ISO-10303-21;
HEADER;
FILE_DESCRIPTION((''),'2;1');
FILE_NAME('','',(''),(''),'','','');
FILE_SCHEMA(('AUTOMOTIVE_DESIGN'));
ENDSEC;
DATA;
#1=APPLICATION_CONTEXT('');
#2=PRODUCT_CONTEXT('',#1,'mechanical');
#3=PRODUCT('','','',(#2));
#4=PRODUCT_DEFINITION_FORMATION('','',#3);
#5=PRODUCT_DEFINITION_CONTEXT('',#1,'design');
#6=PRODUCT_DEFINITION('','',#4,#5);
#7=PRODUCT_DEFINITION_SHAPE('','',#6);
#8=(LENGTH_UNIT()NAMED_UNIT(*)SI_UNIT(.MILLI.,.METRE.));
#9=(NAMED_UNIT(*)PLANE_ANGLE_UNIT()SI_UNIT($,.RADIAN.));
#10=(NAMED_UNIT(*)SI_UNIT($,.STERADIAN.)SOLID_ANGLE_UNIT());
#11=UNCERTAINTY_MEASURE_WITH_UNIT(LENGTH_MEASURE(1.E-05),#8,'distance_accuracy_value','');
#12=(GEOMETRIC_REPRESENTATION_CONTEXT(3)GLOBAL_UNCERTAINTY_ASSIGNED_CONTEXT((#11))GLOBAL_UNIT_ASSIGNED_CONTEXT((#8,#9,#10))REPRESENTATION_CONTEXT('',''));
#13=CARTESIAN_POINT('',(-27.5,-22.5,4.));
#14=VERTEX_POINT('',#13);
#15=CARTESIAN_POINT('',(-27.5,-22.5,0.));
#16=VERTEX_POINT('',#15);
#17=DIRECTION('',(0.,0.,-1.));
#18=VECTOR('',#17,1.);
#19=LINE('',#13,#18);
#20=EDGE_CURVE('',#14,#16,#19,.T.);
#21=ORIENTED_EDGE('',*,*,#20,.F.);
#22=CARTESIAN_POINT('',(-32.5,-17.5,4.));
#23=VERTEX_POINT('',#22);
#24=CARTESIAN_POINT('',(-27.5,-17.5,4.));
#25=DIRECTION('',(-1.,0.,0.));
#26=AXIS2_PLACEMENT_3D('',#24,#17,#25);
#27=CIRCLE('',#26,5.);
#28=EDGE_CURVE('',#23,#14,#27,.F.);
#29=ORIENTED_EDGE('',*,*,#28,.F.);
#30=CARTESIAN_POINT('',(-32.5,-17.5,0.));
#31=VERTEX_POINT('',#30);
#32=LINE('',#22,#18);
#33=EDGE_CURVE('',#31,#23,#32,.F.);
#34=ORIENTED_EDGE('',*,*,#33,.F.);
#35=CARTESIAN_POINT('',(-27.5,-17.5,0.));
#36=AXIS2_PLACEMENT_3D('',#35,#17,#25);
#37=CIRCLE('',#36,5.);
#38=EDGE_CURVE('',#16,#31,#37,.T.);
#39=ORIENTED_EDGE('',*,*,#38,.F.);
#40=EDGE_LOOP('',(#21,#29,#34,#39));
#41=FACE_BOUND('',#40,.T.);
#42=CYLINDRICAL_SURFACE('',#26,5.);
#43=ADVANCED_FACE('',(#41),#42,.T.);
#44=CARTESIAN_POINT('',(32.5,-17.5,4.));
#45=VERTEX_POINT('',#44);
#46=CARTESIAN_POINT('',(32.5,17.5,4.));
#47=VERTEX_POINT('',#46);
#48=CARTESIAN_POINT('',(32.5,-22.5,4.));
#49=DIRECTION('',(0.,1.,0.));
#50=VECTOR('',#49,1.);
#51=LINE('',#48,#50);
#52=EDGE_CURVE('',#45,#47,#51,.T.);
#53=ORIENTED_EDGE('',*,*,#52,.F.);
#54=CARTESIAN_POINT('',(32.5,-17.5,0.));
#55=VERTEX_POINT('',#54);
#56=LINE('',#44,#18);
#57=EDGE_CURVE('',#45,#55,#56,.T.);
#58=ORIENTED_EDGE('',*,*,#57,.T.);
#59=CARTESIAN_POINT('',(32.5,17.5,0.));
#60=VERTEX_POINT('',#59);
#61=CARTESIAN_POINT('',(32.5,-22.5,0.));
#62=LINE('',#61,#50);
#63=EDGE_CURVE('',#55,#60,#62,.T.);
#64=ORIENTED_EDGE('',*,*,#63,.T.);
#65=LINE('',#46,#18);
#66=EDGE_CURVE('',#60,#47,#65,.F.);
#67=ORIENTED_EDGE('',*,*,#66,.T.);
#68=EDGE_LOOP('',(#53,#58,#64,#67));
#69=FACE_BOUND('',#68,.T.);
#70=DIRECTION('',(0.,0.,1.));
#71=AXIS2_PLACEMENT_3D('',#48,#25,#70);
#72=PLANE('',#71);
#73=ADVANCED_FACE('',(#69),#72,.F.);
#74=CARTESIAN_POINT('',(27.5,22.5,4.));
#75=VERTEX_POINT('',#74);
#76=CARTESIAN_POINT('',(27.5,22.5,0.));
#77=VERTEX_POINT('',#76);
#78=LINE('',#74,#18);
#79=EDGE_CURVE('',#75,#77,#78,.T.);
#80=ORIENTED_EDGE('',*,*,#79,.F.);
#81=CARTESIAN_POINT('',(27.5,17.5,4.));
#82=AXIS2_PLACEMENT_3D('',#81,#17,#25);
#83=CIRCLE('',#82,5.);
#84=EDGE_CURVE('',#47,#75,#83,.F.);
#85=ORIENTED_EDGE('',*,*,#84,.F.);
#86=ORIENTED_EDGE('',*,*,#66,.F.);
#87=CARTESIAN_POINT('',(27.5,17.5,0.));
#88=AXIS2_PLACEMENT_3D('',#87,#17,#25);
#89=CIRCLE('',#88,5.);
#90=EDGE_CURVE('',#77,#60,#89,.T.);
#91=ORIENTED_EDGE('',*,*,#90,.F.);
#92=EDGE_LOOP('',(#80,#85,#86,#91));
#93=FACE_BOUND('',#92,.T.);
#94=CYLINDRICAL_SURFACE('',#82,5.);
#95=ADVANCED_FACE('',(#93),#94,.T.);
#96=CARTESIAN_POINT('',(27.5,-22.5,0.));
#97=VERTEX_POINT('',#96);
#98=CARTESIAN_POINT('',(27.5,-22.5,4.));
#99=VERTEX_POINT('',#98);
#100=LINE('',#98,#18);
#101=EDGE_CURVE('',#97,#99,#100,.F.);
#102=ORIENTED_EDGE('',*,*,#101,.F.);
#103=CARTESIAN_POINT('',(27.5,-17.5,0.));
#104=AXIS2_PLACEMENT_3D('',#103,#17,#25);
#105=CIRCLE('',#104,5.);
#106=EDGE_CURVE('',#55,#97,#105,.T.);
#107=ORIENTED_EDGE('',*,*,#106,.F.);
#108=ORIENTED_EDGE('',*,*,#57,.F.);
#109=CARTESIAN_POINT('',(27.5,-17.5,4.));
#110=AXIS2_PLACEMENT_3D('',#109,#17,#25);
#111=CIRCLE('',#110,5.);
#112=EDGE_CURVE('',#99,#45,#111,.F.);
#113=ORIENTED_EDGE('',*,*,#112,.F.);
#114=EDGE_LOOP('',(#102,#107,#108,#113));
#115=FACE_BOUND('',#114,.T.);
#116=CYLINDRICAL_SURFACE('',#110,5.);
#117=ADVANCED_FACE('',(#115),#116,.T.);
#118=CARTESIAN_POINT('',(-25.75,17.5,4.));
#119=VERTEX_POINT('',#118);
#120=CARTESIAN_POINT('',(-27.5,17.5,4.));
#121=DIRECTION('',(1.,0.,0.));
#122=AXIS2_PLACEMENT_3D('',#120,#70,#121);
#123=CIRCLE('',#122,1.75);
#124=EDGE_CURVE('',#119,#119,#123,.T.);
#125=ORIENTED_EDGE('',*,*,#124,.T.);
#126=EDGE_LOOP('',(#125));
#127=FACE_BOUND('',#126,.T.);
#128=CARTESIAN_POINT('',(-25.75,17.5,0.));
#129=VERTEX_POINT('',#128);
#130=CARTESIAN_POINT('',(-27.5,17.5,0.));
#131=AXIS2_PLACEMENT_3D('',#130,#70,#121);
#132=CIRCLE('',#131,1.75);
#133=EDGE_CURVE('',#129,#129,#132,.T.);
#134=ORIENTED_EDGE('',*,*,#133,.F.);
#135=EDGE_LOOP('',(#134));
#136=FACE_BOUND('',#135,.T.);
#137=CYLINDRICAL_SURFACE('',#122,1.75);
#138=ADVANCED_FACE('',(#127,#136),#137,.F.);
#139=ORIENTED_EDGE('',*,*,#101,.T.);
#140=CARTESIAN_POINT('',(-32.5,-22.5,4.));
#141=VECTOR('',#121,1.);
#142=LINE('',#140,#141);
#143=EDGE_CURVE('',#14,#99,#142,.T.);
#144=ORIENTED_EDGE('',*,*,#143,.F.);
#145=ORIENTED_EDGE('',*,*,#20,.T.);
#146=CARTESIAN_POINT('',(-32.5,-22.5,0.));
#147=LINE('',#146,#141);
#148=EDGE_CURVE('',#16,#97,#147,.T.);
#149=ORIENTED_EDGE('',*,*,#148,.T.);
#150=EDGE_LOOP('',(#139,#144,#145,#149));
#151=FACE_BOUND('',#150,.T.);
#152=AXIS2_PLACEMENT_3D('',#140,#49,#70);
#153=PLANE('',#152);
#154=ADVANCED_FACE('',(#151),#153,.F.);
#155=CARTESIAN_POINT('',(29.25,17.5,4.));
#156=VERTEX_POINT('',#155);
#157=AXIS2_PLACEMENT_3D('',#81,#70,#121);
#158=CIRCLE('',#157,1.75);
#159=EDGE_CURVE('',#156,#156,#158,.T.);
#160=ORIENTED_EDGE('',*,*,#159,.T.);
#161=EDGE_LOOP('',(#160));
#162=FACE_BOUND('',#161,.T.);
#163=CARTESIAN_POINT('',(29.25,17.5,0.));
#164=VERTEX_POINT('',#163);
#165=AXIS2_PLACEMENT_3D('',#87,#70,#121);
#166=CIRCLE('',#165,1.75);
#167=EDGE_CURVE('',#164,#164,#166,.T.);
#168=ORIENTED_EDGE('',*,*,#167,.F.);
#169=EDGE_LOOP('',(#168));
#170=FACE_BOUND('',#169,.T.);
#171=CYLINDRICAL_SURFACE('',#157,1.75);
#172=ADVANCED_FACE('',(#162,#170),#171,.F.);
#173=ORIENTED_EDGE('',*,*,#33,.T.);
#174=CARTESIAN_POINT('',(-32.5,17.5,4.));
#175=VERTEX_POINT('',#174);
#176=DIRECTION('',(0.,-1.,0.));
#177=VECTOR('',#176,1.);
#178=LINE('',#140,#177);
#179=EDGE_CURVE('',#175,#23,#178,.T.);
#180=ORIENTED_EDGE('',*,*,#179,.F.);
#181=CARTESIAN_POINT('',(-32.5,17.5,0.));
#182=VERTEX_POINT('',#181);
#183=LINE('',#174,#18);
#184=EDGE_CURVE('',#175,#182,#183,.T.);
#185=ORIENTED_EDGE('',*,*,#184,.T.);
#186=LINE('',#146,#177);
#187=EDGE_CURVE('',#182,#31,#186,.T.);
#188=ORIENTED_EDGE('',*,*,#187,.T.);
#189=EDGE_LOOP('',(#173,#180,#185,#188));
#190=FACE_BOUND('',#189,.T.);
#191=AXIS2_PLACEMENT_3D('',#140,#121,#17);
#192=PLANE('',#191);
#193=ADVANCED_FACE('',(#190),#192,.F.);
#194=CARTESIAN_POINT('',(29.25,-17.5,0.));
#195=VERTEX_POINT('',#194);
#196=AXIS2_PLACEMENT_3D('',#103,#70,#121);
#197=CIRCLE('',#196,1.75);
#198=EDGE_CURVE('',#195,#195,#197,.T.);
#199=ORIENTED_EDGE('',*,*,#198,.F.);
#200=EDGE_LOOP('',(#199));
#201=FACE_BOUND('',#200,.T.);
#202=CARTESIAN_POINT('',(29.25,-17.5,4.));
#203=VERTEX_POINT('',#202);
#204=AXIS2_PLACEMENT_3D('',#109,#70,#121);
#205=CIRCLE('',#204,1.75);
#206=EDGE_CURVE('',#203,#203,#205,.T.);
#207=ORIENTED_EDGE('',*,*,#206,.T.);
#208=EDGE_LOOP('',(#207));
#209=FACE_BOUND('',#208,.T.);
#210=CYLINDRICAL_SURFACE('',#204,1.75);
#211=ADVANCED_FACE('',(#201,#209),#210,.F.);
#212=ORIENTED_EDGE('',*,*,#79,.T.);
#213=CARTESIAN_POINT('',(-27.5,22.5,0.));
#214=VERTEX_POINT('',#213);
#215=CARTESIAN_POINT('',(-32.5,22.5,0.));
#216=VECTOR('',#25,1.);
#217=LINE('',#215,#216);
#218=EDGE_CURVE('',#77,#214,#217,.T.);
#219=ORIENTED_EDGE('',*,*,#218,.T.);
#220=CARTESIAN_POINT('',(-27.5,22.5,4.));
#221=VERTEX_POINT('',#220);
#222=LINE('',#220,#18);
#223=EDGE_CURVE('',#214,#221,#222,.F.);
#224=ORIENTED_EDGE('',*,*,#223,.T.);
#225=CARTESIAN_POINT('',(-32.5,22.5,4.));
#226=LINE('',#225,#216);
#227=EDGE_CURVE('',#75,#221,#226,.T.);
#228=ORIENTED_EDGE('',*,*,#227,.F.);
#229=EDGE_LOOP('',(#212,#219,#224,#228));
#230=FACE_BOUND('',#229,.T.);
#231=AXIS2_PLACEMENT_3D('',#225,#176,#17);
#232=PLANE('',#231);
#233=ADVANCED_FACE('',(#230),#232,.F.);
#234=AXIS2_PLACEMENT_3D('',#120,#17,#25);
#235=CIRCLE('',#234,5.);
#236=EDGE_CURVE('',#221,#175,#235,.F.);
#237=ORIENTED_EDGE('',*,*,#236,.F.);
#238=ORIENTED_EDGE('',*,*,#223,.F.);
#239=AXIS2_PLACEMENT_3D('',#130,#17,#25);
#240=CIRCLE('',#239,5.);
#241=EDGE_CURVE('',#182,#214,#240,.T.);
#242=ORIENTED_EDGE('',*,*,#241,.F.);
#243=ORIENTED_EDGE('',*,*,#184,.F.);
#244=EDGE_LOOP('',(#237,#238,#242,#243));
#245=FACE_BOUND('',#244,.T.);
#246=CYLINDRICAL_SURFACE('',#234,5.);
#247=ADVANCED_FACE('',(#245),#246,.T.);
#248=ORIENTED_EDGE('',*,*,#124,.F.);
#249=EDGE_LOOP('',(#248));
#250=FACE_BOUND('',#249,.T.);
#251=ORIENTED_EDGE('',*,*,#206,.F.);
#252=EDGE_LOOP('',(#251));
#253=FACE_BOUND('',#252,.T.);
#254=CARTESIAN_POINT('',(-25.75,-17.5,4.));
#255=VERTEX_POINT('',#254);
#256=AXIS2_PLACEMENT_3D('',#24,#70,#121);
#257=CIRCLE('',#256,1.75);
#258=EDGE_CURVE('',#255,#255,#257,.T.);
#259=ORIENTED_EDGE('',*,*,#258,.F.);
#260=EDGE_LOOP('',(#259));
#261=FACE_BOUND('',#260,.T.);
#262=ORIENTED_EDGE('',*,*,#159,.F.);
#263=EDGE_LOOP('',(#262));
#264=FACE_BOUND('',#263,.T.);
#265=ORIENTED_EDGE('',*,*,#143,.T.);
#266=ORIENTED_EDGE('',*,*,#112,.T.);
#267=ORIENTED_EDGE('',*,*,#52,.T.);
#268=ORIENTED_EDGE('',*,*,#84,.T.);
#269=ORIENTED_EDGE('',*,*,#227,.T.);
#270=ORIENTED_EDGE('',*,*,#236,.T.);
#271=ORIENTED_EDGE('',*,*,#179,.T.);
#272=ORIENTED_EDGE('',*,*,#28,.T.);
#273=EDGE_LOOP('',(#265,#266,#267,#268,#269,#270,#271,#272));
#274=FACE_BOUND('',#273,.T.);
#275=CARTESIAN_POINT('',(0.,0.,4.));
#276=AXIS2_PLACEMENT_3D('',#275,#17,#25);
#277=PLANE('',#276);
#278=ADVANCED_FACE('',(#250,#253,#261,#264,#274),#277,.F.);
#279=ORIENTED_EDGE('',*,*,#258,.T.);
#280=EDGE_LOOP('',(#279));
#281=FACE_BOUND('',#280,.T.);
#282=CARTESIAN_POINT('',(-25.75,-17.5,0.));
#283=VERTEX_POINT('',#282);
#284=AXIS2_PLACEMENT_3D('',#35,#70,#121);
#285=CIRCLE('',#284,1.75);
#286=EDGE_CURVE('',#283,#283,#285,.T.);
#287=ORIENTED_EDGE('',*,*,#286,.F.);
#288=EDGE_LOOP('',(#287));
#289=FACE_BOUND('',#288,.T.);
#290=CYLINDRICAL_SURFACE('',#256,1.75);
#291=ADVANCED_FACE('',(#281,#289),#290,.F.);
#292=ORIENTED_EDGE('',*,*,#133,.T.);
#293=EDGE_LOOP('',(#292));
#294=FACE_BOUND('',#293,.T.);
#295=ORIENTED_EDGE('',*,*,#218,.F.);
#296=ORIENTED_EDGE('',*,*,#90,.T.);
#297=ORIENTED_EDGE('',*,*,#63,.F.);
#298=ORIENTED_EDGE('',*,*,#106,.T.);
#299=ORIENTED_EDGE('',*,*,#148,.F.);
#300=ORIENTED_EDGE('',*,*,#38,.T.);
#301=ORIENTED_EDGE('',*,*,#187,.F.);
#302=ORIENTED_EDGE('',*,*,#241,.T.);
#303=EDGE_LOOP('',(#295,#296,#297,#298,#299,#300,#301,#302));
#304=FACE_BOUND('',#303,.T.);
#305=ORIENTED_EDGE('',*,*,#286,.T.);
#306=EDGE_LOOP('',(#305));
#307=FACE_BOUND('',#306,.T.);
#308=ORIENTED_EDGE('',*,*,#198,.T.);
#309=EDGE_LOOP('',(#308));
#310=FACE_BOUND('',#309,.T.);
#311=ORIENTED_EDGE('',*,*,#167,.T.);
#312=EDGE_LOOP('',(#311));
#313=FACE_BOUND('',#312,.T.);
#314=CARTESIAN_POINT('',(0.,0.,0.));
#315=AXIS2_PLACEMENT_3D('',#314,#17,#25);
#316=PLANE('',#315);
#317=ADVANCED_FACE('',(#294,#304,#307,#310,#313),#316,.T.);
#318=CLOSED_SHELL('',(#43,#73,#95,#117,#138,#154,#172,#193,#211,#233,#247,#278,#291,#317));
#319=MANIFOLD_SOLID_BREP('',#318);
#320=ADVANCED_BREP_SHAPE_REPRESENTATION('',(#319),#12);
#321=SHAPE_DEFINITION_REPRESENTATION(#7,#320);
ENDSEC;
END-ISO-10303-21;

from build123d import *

# Parameters (mm, degrees)
SKETCH_1_W              = 65
SKETCH_1_H              = 45
EXTRUDE_1_DEPTH         = 4
HOLE_WIZARD_3_5_3_5_1_D = 3.5
FILLET_1_R              = 5


with BuildPart() as part:
    # 草图1 → 凸台-拉伸1 (new body)
    with BuildSketch(Plane.XY):
        Rectangle(SKETCH_1_W, SKETCH_1_H)
    extrude(amount=EXTRUDE_1_DEPTH)

    # Ø3.5 (3.5) 直径孔1 (through all)
    with Locations(Plane.XY.offset(4)):
        with Locations((-27.5, 17.5), (-27.5, -17.5), (27.5, 17.5), (27.5, -17.5)):
            Hole(HOLE_WIZARD_3_5_3_5_1_D / 2)

    # 圆角1
    fillet_1_edges = [part.edges().sort_by_distance(p)[0] for p in [
        (32.5, -22.5, 2),
        (-32.5, -22.5, 2),
        (-32.5, 22.5, 2),
        (32.5, 22.5, 2),
    ]]
    fillet(fillet_1_edges, radius=FILLET_1_R)


solid = part.part
